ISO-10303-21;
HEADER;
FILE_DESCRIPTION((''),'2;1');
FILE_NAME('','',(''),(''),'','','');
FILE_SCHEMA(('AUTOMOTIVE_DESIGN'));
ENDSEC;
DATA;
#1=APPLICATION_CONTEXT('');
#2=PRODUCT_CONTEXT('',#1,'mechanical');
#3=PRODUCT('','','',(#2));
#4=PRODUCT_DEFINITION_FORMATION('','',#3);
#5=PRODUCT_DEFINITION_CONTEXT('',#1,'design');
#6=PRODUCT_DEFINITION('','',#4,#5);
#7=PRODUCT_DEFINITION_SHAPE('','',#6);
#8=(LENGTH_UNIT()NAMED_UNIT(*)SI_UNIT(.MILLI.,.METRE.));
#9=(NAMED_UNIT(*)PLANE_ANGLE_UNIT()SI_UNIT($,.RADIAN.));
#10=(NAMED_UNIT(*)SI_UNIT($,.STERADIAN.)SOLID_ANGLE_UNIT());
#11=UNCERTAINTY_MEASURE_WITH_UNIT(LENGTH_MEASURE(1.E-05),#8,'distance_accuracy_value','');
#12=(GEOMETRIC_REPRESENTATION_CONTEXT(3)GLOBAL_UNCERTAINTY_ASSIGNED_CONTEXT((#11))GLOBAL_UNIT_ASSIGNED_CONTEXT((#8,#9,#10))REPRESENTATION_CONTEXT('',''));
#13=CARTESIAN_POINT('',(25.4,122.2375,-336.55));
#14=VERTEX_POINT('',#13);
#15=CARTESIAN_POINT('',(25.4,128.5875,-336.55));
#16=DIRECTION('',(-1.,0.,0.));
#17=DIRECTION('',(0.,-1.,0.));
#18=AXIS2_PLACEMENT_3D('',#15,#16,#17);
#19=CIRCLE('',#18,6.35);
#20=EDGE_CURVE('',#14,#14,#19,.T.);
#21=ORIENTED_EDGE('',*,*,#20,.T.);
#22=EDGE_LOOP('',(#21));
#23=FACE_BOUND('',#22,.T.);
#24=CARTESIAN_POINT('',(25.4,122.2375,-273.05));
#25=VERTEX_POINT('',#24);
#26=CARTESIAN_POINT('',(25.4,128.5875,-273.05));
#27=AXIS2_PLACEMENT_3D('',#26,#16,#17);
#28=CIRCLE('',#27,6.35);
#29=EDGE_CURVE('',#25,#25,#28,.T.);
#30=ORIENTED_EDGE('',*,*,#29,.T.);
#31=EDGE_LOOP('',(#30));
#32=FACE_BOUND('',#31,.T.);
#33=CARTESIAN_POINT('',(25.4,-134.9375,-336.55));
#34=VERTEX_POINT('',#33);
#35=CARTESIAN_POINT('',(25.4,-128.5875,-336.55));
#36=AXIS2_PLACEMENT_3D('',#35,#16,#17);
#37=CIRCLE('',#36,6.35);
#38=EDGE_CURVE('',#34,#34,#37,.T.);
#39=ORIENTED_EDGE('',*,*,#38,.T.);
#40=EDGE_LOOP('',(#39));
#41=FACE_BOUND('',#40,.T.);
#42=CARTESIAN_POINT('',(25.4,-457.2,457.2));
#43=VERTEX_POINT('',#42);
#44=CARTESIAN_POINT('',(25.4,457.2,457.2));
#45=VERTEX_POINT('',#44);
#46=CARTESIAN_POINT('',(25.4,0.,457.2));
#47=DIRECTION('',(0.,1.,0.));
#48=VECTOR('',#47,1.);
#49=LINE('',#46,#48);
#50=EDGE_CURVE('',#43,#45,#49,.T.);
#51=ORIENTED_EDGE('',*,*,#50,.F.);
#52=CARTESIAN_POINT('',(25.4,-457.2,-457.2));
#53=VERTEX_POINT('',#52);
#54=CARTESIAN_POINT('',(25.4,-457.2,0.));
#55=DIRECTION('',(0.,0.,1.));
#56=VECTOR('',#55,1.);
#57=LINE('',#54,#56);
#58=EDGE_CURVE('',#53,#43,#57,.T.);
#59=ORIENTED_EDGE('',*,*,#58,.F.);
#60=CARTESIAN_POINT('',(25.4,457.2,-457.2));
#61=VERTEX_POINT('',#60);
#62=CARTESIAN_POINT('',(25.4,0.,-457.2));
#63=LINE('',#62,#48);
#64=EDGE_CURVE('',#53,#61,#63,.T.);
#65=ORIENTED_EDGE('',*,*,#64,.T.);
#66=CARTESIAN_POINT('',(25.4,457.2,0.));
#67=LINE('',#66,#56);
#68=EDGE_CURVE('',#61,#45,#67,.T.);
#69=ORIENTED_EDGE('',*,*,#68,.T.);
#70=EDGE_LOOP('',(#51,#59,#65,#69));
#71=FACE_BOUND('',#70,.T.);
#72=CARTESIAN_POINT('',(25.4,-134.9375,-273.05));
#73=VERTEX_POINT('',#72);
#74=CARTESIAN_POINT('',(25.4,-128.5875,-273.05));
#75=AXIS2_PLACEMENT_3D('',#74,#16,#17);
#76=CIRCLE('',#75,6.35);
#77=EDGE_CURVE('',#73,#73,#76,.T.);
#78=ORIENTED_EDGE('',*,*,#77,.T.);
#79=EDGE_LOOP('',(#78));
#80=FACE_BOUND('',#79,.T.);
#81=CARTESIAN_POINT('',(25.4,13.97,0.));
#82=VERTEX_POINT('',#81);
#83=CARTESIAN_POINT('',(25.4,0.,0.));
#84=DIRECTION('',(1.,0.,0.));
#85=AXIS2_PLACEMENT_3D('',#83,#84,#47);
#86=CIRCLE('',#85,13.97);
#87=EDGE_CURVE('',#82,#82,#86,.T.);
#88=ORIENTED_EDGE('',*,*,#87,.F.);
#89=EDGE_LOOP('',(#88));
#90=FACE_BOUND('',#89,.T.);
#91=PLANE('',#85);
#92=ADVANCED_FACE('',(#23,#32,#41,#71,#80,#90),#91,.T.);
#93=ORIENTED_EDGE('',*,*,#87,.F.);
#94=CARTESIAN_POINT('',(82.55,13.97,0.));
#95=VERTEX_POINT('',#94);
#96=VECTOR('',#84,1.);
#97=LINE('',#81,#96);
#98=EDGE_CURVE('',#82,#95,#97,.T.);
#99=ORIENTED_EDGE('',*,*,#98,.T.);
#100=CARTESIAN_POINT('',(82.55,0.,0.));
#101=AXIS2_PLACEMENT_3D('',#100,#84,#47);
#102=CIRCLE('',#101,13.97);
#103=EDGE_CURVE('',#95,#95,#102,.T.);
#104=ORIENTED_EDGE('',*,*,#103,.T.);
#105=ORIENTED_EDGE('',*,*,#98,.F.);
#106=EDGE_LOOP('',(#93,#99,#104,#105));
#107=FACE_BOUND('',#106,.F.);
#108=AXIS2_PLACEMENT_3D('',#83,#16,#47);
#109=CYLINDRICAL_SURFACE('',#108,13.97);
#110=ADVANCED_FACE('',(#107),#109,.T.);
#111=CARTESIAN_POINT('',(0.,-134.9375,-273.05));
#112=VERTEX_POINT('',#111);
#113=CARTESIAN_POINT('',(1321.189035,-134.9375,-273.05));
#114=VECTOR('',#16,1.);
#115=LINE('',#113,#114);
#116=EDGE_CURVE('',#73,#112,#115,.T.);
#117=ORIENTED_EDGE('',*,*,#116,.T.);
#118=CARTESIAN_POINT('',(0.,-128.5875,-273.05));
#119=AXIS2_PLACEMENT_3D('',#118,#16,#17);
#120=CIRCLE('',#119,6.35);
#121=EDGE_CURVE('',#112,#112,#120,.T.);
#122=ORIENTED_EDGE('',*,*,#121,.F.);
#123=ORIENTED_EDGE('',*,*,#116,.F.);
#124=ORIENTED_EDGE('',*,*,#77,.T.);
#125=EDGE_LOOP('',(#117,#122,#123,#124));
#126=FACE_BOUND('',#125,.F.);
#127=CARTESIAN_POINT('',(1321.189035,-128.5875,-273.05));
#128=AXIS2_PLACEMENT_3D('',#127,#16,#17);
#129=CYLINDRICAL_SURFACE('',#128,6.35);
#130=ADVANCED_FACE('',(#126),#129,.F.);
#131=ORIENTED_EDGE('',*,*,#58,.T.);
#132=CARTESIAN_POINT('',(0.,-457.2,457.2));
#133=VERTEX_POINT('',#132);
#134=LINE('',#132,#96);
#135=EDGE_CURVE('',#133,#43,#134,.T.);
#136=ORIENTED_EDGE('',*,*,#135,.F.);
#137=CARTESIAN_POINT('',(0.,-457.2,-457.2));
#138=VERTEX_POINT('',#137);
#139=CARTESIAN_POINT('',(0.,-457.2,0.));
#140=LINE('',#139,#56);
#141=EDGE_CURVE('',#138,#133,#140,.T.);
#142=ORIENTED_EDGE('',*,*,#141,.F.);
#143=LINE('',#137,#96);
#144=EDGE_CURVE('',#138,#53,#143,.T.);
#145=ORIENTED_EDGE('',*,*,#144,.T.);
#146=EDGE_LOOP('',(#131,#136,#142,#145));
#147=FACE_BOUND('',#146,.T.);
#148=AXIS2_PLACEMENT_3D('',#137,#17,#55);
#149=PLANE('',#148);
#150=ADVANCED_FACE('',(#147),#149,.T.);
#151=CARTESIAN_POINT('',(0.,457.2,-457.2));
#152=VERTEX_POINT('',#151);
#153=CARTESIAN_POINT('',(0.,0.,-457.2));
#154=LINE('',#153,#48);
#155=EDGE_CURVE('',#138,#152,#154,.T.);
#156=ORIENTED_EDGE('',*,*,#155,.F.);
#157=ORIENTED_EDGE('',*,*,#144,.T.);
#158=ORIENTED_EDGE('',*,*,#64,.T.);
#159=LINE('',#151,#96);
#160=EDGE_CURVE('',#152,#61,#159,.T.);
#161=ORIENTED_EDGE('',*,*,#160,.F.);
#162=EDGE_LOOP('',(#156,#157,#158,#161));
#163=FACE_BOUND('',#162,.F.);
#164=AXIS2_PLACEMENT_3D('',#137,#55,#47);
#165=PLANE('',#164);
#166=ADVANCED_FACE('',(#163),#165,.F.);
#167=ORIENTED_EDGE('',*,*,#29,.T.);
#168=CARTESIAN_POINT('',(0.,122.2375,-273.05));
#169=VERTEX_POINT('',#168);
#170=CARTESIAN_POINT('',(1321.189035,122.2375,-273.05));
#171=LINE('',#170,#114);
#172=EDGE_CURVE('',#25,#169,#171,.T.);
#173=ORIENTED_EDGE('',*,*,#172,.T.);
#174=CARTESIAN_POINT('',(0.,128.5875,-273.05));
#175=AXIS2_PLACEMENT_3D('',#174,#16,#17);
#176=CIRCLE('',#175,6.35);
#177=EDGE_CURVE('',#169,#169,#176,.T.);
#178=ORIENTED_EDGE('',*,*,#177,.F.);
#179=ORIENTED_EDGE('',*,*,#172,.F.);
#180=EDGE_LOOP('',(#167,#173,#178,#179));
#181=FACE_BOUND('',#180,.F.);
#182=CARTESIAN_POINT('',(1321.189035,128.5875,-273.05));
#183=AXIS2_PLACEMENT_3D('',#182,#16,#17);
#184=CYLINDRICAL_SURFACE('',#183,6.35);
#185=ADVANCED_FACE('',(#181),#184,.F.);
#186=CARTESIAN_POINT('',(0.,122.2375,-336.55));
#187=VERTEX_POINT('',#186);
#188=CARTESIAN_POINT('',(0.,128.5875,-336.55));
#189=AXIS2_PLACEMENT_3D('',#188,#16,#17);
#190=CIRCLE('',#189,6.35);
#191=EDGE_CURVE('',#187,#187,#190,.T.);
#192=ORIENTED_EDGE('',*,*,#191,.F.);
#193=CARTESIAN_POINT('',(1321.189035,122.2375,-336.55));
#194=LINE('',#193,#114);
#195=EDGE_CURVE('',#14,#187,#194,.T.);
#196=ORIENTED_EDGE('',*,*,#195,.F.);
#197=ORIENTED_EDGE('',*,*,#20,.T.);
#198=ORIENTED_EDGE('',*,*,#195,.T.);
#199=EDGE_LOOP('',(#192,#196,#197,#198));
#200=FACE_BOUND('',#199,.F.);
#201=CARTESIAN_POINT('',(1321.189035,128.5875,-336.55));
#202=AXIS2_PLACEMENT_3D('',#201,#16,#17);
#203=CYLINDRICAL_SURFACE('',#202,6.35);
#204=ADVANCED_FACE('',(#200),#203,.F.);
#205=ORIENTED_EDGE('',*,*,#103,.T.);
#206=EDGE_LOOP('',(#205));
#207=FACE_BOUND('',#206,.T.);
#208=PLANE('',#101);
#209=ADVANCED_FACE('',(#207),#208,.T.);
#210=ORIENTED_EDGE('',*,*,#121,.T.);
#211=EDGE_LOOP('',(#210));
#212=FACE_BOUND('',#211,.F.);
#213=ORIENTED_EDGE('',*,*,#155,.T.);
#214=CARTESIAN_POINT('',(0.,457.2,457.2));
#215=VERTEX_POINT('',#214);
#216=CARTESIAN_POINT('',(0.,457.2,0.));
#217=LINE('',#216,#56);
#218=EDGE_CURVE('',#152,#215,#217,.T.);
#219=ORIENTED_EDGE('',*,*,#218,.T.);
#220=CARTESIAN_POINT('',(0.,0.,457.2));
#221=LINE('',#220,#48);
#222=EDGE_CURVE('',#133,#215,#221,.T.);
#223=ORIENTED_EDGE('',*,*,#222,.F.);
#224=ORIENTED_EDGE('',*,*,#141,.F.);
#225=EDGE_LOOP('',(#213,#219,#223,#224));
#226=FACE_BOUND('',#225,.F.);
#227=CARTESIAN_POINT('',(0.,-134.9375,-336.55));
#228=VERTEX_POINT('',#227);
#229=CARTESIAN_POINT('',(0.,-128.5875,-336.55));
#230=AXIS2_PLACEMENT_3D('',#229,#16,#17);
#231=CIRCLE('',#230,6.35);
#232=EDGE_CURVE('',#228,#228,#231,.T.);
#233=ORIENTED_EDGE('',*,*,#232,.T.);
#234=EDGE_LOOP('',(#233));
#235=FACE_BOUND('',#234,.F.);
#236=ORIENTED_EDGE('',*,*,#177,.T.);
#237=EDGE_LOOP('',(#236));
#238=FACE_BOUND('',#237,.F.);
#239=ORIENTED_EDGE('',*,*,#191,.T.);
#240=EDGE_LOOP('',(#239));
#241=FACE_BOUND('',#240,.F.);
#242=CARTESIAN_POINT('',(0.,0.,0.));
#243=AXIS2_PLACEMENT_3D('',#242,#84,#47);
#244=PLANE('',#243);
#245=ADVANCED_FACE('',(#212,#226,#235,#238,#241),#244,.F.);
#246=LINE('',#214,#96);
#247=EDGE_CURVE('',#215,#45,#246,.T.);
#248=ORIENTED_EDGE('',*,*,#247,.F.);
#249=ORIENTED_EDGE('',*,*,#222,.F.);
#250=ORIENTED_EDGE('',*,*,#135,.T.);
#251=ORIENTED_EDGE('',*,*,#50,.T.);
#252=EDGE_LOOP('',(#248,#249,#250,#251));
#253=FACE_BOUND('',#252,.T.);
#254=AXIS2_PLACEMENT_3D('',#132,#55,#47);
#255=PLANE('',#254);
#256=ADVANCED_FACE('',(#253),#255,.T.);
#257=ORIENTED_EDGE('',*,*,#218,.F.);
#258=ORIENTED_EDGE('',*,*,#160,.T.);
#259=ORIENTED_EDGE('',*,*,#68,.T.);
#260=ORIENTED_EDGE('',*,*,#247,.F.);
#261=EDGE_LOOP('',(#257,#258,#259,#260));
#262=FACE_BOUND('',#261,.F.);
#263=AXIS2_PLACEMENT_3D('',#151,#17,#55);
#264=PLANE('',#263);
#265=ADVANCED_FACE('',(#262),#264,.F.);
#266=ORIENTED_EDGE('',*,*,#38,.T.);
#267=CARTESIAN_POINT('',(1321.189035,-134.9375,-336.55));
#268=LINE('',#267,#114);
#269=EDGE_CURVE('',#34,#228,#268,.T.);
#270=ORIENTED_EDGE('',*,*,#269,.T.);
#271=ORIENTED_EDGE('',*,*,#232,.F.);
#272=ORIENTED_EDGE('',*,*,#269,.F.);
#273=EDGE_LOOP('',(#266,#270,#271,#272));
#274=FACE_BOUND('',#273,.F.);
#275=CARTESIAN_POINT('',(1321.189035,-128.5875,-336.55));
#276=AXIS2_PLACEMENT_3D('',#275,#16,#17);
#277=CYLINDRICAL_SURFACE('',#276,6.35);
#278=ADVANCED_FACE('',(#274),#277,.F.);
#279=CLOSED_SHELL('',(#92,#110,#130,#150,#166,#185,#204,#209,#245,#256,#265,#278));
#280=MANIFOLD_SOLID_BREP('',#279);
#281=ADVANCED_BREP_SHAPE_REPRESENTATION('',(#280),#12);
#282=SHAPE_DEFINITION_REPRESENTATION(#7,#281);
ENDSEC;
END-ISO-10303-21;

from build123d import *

# Parameters (mm, degrees)
F0_W     = 914.4
F0_H     = 914.4
F1_DEPTH = 25.4
F2_R     = 13.97
F3_DEPTH = 57.15
F5_D     = 12.7


with BuildPart() as f1:
    # F0 (on Right) → F1 (new body)
    with BuildSketch(Plane.YZ):
        Rectangle(F0_W, F0_H)
    extrude(amount=F1_DEPTH)

    # F2 (on face) → F3 (join)
    with BuildSketch(Plane.YZ.offset(25.4)):
        Circle(F2_R)
    extrude(amount=F3_DEPTH)

    # F5 (through all)
    with Locations(Plane.YZ.offset(25.4)):
        with Locations((-128.5875, -273.05), (128.5875, -273.05), (128.5875, -336.55), (-128.5875, -336.55)):
            Hole(F5_D / 2)


solid = f1.part
